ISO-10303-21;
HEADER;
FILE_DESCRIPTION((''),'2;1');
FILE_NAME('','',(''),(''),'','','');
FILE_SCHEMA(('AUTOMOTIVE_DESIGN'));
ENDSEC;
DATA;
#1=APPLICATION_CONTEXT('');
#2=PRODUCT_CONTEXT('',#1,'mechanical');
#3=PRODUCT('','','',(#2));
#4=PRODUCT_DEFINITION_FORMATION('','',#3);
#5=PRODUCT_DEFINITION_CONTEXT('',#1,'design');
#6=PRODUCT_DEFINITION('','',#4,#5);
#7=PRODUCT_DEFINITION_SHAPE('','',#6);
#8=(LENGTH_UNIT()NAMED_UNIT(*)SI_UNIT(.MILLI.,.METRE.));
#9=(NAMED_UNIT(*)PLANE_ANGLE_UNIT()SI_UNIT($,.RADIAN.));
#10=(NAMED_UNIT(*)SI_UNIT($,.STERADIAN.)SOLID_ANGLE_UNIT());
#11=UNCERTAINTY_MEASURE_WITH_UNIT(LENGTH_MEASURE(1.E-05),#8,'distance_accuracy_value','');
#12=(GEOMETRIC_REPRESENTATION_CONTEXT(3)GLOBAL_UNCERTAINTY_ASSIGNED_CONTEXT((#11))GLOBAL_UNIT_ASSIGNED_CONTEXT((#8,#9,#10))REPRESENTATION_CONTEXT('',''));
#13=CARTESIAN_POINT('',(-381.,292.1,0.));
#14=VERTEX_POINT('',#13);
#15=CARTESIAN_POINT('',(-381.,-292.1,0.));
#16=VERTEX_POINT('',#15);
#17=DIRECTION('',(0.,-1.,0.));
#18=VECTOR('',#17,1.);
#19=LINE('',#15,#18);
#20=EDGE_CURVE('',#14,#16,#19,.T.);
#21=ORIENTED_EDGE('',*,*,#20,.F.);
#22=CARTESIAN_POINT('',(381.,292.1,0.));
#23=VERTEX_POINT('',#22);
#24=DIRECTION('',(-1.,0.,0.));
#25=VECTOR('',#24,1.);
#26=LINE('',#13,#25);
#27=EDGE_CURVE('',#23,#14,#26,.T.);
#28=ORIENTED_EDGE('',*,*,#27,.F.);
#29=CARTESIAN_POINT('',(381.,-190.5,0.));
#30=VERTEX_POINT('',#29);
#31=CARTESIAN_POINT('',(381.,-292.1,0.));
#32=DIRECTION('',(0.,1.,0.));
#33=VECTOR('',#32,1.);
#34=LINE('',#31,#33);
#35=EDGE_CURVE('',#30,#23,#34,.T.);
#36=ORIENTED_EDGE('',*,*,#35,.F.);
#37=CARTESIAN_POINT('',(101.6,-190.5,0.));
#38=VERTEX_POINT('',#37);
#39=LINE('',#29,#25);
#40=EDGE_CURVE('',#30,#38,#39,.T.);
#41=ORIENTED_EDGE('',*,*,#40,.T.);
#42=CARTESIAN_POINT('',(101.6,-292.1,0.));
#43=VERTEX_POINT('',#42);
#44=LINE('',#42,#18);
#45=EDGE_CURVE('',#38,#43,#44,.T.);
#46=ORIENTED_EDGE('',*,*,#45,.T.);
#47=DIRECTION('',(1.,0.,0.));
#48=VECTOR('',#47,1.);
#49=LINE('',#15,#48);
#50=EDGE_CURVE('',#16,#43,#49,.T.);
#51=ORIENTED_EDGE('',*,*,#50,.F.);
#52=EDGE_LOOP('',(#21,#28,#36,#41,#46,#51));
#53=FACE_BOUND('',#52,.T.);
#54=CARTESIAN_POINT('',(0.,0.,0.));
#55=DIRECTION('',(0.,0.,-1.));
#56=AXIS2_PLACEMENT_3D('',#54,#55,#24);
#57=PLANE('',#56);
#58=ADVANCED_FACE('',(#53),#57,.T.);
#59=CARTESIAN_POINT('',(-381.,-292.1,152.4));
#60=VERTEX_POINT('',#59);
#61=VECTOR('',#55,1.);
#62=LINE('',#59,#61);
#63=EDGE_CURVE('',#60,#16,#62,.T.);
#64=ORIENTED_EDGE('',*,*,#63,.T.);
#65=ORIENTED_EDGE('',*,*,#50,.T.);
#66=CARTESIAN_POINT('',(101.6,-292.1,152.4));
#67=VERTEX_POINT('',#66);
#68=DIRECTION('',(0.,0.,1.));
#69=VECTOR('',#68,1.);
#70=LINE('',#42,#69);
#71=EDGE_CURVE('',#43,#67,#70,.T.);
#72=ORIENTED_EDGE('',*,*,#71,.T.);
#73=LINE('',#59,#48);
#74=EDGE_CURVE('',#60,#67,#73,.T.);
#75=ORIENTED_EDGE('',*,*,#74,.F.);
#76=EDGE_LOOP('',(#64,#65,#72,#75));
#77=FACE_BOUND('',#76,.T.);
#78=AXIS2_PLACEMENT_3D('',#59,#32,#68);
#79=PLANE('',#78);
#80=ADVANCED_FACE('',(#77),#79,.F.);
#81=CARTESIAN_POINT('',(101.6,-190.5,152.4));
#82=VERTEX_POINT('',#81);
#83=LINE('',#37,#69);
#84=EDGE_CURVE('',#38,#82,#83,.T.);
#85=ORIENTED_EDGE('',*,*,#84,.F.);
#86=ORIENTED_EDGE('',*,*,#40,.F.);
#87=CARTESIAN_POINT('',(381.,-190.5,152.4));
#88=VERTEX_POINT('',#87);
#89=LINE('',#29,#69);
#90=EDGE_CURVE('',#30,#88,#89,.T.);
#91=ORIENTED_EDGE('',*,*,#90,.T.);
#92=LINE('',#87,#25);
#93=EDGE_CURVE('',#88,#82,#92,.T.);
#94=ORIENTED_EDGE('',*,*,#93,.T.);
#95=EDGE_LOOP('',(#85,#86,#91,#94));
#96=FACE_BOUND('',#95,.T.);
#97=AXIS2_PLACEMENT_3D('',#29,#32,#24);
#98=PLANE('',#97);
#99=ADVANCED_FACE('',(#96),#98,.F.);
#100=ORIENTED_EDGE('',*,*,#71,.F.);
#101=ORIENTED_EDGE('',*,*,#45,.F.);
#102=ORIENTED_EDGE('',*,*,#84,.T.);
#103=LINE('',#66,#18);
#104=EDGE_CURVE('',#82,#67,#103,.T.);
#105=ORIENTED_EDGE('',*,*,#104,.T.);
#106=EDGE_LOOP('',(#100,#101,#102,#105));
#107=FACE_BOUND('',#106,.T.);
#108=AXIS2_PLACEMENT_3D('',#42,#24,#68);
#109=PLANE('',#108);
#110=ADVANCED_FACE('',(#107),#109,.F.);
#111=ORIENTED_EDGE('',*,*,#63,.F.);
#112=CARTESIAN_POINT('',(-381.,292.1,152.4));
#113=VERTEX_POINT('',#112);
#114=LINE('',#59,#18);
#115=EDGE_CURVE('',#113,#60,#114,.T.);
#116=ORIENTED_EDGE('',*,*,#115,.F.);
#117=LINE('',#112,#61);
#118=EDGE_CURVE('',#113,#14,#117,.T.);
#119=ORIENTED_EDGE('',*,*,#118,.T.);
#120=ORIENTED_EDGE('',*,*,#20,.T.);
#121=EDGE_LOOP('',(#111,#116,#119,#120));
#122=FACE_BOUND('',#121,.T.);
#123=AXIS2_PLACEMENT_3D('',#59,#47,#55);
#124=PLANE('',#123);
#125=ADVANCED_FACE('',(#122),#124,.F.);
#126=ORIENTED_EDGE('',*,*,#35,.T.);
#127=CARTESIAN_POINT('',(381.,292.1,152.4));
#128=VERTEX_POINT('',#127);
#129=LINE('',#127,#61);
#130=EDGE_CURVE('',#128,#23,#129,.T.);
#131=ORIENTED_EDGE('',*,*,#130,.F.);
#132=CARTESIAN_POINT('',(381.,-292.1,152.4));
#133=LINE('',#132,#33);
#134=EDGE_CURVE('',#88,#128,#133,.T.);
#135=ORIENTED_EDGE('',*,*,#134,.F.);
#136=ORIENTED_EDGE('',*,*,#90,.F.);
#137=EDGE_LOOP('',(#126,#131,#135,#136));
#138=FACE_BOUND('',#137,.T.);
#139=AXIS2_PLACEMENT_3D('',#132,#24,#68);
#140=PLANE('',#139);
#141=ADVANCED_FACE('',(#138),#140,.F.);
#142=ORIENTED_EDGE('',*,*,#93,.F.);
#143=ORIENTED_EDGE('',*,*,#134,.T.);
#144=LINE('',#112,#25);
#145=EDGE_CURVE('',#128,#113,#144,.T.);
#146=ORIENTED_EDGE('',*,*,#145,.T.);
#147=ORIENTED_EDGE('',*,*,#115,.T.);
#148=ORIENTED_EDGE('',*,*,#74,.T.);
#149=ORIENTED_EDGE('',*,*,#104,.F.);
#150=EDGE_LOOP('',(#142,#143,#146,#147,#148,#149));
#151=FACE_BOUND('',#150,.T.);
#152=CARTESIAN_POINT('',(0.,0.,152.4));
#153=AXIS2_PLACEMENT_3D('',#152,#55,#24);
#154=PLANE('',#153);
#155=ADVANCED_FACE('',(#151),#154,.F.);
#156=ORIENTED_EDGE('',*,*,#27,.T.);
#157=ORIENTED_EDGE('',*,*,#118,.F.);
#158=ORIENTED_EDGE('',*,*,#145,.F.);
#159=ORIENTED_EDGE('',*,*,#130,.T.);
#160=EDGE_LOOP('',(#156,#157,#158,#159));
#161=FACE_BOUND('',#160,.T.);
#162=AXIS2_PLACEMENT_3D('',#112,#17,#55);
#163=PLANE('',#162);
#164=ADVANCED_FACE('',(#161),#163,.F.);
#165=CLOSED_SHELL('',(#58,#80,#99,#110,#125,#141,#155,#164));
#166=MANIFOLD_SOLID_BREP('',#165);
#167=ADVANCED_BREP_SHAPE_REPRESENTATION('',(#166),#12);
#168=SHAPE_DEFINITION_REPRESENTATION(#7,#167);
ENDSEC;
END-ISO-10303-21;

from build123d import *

# Parameters (mm, degrees)
SKETCH1_W           = 762
SKETCH1_H           = 584.2
BOSS_EXTRUDE1_DEPTH = 152.4
SKETCH2_W           = 279.4
SKETCH2_H           = 101.6
CUT_EXTRUDE1_DEPTH  = 152.4


with BuildPart() as part:
    # Sketch1 → Boss-Extrude1 (new body)
    with BuildSketch(Plane.XY):
        Rectangle(SKETCH1_W, SKETCH1_H)
    extrude(amount=BOSS_EXTRUDE1_DEPTH)

    # Sketch2 → Cut-Extrude1 (cut)
    with BuildSketch(Plane.XY.offset(152.4)):
        with Locations((241.3, -241.3)):
            Rectangle(SKETCH2_W, SKETCH2_H)
    extrude(amount=-CUT_EXTRUDE1_DEPTH, mode=Mode.SUBTRACT)


solid = part.part
